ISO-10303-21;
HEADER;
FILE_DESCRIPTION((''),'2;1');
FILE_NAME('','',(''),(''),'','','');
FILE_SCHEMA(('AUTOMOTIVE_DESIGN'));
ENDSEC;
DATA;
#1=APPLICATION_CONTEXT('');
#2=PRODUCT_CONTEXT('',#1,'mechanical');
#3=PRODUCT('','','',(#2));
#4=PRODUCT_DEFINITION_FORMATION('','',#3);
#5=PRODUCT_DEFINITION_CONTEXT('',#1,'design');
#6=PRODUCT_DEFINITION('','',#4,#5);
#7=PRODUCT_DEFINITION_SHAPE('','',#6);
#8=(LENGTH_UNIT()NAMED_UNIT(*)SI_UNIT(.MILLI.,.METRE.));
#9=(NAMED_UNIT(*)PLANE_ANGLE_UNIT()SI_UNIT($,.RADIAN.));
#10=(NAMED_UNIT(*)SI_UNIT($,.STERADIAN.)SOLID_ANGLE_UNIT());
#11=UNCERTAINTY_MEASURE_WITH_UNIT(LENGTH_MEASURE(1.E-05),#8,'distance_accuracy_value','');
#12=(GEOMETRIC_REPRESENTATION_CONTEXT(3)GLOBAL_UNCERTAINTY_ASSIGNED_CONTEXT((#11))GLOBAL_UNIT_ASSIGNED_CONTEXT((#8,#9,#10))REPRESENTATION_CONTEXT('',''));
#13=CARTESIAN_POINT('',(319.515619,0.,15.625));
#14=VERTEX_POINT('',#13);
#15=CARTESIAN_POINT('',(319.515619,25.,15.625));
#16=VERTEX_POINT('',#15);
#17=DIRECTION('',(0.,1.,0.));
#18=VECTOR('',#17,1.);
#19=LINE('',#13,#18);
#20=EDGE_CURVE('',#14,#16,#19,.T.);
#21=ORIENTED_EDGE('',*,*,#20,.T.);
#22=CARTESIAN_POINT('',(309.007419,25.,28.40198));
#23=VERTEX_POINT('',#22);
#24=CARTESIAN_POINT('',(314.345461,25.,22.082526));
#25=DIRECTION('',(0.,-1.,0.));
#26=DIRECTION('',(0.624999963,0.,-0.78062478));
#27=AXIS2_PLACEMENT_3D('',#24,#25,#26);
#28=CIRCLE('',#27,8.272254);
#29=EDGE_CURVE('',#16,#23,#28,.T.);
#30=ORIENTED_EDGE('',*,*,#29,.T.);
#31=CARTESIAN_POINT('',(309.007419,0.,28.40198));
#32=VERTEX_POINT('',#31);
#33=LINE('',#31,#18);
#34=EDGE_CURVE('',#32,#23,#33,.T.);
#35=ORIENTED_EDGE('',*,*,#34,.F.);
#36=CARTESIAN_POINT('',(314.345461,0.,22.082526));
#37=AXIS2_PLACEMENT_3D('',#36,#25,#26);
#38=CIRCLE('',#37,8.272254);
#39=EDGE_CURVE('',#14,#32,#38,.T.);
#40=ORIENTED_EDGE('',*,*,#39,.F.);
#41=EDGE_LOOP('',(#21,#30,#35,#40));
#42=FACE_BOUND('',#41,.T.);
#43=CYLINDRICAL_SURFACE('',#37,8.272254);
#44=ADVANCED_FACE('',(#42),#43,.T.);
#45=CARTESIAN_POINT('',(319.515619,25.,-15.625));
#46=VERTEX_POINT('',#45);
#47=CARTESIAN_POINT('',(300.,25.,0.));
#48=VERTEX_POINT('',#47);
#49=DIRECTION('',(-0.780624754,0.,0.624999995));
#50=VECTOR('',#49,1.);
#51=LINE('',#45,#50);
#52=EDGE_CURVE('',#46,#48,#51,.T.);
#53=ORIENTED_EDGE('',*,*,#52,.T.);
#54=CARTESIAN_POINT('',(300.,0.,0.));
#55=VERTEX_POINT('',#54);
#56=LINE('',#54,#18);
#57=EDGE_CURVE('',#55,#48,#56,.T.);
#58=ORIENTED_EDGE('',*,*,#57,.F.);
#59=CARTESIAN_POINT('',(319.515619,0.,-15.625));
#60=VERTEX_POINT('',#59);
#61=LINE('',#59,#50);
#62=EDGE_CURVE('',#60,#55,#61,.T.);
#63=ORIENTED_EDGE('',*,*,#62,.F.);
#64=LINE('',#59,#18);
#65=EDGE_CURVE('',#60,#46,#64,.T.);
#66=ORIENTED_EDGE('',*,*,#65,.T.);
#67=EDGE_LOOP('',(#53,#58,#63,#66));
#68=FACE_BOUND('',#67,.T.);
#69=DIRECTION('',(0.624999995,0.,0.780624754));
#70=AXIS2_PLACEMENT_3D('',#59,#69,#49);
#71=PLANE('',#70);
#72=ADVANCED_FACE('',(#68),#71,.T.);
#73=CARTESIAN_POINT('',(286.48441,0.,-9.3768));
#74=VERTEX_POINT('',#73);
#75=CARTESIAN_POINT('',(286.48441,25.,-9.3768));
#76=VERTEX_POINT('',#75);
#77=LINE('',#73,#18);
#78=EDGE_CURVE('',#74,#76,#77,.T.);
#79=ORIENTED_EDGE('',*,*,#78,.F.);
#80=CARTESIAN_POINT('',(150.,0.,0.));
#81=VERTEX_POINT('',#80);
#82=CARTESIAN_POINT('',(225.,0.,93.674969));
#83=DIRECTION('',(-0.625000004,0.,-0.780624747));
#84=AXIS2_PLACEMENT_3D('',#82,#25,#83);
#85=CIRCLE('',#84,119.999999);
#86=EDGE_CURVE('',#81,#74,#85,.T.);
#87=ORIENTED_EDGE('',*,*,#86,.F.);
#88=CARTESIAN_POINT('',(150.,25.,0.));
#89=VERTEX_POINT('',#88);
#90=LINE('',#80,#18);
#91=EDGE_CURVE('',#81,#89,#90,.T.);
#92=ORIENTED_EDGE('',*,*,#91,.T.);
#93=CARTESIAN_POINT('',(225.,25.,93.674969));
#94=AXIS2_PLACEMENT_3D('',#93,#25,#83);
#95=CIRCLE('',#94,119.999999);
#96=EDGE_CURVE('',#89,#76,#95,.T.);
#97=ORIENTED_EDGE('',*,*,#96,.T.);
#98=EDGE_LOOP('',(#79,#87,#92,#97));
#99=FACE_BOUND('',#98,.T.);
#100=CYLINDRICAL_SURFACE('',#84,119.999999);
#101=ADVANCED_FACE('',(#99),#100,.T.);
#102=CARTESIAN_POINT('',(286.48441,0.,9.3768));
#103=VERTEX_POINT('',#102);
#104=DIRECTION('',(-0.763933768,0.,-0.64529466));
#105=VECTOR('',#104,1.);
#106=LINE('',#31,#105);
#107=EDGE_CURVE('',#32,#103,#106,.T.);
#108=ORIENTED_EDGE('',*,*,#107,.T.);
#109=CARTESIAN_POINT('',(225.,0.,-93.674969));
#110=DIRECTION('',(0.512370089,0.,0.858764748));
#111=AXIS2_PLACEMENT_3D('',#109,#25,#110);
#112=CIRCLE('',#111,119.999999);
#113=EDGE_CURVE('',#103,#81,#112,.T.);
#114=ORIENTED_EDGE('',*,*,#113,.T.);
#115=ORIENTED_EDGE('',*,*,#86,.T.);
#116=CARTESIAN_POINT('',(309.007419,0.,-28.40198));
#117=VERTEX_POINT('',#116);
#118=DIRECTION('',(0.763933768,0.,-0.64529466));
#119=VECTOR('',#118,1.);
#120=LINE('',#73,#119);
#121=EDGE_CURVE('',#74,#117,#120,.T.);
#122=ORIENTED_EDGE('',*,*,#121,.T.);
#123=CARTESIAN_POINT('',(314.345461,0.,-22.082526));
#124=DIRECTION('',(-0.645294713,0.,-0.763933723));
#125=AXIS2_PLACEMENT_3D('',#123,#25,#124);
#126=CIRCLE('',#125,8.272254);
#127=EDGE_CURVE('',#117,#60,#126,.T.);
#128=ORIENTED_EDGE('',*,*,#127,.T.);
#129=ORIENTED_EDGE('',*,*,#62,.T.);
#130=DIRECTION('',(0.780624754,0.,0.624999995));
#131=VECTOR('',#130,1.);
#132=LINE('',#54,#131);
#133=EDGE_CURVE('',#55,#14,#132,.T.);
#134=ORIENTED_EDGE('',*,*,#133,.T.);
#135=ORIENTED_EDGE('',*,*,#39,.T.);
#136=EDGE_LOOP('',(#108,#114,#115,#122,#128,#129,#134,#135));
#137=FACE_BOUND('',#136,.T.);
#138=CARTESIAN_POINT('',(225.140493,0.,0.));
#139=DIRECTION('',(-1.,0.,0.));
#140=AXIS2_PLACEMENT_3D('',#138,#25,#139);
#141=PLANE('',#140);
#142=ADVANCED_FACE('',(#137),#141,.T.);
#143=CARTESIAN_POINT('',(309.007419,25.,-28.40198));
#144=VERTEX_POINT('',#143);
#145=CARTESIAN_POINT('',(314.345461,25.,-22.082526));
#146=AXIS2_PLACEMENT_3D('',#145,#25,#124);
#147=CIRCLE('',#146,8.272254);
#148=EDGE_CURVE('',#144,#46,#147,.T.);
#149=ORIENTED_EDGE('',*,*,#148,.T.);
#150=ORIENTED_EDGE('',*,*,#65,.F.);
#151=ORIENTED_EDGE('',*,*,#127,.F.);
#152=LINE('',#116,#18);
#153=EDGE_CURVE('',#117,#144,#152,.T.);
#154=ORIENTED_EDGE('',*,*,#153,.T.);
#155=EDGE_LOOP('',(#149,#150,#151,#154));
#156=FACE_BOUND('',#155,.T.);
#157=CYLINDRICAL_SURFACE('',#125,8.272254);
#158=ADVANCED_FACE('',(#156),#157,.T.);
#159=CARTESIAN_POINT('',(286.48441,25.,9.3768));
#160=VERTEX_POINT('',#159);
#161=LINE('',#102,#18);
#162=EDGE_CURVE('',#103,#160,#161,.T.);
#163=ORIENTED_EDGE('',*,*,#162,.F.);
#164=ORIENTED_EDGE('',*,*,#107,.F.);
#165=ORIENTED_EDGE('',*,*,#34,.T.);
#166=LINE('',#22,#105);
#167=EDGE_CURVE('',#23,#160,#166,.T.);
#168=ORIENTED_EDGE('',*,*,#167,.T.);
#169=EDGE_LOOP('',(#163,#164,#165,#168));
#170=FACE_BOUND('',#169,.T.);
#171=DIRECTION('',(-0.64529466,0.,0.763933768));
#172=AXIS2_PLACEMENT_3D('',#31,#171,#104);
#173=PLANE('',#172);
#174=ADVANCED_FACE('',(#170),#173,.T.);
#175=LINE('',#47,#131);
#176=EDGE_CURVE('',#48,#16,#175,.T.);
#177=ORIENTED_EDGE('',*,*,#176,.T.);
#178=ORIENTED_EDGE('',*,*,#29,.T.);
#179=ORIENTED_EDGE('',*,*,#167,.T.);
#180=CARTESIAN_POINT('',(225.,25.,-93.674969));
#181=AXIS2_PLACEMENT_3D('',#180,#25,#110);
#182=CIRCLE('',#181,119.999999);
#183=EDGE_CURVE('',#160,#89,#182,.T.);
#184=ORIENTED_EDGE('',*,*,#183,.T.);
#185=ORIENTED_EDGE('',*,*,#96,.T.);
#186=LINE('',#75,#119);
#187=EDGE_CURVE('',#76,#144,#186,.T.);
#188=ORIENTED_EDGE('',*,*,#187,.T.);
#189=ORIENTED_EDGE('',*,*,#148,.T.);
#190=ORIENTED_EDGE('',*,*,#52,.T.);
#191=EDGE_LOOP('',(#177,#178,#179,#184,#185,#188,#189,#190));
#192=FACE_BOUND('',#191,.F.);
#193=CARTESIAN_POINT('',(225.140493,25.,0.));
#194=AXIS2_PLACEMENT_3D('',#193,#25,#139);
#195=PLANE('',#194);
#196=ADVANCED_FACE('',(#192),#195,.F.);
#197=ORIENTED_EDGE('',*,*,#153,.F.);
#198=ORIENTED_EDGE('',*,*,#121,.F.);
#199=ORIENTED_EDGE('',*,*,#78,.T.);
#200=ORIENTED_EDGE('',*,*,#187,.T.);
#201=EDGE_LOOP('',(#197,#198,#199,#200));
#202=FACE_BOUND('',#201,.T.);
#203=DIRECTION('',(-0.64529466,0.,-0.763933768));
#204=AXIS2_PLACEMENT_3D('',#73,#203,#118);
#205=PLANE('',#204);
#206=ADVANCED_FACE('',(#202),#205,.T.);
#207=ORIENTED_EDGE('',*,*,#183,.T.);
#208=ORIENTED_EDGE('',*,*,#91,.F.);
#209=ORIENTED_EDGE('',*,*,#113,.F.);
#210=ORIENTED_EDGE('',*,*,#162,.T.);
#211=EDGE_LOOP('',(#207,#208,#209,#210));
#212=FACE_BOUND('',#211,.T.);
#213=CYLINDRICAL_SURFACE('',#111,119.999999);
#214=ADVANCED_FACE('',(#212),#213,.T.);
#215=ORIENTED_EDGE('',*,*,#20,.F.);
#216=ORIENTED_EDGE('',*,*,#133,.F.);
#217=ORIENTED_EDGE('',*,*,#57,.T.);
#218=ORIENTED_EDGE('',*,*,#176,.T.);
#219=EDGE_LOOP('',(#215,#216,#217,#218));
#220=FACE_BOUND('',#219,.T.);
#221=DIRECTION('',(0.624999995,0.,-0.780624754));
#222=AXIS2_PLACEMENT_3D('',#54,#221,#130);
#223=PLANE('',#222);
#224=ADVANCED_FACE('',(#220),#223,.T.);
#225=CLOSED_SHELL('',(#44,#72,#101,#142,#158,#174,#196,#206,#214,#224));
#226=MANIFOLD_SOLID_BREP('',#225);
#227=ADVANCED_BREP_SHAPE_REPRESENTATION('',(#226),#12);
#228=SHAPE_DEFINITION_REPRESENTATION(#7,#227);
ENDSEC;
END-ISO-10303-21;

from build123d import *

# Parameters (mm, degrees)
F1_DEPTH = 25
F2_ANGLE = 180


with BuildPart() as f1:
    # F0 (on Front) → F1 (new body)
    with BuildSketch(Plane.XZ):
        with BuildLine():
            ThreePointArc((13.51559, -9.3768), (83.224894, -26.042828), (150, 0))
            ThreePointArc((150, 0), (83.224894, 26.042828), (13.51559, 9.3768))
            ThreePointArc((13.51559, 9.3768), (6.596932, 4.920265), (0, 0))
            ThreePointArc((0, 0), (6.596932, -4.920265), (13.51559, -9.3768))
        make_face()
        with BuildLine():
            ThreePointArc((0, 0), (6.596932, 4.920265), (13.51559, 9.3768))
            Line((13.51559, 9.3768), (-9.007419, 28.40198))
            ThreePointArc((-9.007419, 28.40198), (-20.734502, 27.33708), (-19.515619, 15.625))
            Line((-19.515619, 15.625), (0, 0))
        make_face()
        with BuildLine():
            Line((-9.007419, -28.40198), (13.51559, -9.3768))
            ThreePointArc((13.51559, -9.3768), (6.596932, -4.920265), (0, 0))
            Line((0, 0), (-19.515619, -15.625))
            ThreePointArc((-19.515619, -15.625), (-20.734502, -27.33708), (-9.007419, -28.40198))
        make_face()
    extrude(amount=-F1_DEPTH)


with BuildPart() as f1_1:
    # F2: moved
    add(f1.part.rotate(Axis((150, 12.5, 0), (0, -1, 0)), F2_ANGLE))


solid = f1_1.part
